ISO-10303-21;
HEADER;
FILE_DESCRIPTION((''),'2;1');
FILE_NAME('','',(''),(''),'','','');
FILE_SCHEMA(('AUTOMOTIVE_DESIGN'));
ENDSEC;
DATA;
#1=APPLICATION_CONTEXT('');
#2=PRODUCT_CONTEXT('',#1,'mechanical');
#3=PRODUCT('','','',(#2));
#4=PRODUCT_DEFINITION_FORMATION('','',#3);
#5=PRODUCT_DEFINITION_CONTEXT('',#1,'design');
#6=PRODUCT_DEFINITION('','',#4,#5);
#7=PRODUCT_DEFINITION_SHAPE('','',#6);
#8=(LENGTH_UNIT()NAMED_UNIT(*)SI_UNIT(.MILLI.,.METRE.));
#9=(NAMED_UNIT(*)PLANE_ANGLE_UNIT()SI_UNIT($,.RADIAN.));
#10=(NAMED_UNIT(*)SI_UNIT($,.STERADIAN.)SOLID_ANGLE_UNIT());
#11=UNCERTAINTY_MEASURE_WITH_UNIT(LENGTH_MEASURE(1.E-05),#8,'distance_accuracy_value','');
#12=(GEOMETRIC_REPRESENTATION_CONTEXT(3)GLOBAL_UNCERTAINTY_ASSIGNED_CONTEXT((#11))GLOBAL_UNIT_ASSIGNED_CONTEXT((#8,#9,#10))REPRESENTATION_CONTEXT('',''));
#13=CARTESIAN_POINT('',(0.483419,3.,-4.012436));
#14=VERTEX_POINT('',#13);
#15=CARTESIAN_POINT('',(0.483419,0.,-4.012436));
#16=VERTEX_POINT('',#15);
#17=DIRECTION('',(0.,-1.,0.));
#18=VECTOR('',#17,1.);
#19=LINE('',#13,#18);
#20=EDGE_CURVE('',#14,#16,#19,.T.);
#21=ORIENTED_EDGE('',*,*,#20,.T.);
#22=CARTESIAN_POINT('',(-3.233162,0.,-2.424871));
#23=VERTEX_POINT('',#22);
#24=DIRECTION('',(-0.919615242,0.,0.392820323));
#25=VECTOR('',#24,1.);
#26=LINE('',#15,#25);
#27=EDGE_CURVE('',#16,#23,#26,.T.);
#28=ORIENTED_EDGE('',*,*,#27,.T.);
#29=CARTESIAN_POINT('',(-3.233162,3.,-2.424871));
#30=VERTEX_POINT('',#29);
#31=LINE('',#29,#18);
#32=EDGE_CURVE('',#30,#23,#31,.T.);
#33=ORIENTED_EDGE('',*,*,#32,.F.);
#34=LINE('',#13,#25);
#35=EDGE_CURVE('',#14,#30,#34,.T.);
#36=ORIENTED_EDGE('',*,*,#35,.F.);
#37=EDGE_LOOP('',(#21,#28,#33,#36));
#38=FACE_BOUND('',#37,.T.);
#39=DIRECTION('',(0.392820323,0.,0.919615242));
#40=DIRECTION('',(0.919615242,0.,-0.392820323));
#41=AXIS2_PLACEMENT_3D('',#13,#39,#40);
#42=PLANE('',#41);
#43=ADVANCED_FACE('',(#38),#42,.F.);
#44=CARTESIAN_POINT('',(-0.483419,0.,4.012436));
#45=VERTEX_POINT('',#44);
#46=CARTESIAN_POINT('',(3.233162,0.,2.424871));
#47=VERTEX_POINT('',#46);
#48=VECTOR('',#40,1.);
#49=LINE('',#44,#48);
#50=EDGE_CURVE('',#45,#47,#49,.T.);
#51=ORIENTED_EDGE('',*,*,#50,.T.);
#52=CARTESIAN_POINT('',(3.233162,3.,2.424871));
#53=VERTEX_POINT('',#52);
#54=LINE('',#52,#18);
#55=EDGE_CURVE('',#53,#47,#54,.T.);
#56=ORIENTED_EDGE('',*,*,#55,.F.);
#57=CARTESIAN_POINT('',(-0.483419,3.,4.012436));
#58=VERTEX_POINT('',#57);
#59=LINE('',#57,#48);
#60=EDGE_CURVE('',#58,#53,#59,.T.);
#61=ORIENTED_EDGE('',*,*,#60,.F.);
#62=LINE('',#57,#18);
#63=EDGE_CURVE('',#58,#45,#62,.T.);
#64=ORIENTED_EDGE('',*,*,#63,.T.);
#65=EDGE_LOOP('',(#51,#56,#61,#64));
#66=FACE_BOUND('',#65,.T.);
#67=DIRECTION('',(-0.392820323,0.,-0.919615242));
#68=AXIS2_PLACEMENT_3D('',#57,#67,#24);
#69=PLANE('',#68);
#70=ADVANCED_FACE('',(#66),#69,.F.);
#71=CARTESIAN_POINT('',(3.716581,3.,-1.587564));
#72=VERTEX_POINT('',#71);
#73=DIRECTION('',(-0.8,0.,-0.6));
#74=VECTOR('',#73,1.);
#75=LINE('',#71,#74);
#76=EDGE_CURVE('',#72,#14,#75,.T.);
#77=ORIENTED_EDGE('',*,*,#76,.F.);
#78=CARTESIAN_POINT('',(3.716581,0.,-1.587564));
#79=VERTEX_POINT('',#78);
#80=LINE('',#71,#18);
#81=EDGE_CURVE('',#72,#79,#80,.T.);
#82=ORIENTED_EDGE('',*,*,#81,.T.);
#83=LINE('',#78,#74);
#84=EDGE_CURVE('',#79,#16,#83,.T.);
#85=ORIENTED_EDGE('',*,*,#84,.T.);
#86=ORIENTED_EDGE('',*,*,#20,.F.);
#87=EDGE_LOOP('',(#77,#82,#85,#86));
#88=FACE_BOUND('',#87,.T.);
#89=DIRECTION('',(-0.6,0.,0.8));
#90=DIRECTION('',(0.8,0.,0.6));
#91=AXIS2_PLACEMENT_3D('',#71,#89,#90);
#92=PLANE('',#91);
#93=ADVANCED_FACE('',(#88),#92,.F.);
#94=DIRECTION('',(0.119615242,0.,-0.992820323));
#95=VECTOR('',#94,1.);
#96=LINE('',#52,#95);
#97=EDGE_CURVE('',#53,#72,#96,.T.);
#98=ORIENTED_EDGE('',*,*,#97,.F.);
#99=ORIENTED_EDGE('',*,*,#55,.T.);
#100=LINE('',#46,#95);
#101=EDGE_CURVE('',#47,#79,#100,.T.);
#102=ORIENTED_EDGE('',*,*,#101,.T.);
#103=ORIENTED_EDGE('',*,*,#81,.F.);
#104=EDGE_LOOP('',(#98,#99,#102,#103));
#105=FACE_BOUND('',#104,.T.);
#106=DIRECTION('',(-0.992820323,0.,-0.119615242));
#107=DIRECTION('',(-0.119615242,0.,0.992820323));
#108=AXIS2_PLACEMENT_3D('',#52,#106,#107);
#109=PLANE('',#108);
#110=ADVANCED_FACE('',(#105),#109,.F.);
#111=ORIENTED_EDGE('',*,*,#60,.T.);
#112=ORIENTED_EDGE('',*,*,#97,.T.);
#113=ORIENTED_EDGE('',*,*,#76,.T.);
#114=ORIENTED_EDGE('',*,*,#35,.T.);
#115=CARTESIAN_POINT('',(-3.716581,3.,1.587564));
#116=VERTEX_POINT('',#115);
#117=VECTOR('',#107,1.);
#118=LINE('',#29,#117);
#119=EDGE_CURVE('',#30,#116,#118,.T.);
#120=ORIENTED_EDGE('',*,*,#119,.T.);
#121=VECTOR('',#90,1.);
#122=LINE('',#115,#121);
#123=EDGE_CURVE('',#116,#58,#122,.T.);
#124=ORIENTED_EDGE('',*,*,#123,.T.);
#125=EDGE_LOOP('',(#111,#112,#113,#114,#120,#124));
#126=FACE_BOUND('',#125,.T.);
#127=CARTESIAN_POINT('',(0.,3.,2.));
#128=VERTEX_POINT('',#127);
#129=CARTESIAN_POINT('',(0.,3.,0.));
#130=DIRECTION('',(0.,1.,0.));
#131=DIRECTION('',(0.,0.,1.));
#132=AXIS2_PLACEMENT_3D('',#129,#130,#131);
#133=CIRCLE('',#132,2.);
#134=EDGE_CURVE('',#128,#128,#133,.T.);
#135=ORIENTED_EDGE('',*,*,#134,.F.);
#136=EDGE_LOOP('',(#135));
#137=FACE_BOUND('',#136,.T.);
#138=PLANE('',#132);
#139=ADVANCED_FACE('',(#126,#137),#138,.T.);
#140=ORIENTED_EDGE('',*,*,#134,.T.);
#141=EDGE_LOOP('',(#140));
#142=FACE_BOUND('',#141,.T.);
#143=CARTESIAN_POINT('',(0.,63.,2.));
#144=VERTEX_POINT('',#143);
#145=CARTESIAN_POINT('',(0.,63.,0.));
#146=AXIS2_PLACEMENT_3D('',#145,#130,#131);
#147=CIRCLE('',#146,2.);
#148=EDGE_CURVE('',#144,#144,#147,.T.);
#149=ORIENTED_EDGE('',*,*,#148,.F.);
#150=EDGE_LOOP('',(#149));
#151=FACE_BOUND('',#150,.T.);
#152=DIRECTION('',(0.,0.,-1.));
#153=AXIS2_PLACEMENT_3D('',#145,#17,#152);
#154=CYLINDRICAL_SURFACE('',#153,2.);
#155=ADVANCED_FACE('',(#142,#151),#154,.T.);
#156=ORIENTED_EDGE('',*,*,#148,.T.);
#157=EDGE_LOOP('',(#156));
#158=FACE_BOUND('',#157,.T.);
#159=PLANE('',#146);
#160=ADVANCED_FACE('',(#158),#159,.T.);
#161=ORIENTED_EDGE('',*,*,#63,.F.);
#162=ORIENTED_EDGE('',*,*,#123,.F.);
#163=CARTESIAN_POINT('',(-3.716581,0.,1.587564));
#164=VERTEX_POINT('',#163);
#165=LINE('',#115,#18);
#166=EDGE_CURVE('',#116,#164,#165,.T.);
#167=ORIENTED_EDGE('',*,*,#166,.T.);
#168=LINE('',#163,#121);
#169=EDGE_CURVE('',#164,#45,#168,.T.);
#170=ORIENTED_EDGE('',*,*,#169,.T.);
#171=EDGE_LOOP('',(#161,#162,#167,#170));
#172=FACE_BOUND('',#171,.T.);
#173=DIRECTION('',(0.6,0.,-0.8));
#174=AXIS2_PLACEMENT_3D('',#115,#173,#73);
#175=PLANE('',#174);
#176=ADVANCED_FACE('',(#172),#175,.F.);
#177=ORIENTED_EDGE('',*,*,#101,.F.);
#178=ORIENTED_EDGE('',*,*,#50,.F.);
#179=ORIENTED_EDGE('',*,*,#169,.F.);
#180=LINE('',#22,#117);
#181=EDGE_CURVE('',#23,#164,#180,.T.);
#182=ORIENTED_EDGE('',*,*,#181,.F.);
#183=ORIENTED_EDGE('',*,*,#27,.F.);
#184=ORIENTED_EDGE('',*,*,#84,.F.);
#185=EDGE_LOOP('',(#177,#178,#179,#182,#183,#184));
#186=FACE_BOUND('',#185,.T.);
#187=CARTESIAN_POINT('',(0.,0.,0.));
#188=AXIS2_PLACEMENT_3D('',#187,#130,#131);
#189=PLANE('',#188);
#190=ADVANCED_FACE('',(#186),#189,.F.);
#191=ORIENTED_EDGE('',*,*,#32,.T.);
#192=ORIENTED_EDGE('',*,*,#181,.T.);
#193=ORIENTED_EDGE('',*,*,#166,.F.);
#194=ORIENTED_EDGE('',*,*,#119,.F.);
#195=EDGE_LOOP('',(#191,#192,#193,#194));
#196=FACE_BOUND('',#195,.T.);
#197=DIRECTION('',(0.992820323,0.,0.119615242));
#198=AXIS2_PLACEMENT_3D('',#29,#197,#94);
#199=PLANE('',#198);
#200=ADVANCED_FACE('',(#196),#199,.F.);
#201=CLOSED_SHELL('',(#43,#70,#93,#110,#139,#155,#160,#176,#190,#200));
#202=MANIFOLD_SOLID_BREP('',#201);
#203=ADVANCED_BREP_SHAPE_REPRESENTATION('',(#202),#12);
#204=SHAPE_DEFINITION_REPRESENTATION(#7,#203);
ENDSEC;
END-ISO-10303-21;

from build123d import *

# Parameters (mm, degrees)
BOSS_EXTRUDE1_DEPTH = 3
SKETCH2_R           = 2
BOSS_EXTRUDE2_DEPTH = 60


with BuildPart() as part:
    # Sketch1 → Boss-Extrude1 (new body)
    with BuildSketch(Plane(origin=(0, 0, 0), x_dir=(1, 0, 0), z_dir=(0, 1, 0))):
        Polygon((3.233161507, -2.424871131), (3.716580754, 1.587564435), (0.483419246, 4.012435565), (-3.233161507, 2.424871131), (-3.716580754, -1.587564435), (-0.483419246, -4.012435565), align=None)
    extrude(amount=BOSS_EXTRUDE1_DEPTH)

    # Sketch2 → Boss-Extrude2 (add)
    with BuildSketch(Plane(origin=(0, 3, 0), x_dir=(1, 0, 0), z_dir=(0, 1, 0))):
        with Locations(Location((0, 0, 0), (0, 0, 270))):
            Circle(SKETCH2_R)
    extrude(amount=BOSS_EXTRUDE2_DEPTH)


solid = part.part
